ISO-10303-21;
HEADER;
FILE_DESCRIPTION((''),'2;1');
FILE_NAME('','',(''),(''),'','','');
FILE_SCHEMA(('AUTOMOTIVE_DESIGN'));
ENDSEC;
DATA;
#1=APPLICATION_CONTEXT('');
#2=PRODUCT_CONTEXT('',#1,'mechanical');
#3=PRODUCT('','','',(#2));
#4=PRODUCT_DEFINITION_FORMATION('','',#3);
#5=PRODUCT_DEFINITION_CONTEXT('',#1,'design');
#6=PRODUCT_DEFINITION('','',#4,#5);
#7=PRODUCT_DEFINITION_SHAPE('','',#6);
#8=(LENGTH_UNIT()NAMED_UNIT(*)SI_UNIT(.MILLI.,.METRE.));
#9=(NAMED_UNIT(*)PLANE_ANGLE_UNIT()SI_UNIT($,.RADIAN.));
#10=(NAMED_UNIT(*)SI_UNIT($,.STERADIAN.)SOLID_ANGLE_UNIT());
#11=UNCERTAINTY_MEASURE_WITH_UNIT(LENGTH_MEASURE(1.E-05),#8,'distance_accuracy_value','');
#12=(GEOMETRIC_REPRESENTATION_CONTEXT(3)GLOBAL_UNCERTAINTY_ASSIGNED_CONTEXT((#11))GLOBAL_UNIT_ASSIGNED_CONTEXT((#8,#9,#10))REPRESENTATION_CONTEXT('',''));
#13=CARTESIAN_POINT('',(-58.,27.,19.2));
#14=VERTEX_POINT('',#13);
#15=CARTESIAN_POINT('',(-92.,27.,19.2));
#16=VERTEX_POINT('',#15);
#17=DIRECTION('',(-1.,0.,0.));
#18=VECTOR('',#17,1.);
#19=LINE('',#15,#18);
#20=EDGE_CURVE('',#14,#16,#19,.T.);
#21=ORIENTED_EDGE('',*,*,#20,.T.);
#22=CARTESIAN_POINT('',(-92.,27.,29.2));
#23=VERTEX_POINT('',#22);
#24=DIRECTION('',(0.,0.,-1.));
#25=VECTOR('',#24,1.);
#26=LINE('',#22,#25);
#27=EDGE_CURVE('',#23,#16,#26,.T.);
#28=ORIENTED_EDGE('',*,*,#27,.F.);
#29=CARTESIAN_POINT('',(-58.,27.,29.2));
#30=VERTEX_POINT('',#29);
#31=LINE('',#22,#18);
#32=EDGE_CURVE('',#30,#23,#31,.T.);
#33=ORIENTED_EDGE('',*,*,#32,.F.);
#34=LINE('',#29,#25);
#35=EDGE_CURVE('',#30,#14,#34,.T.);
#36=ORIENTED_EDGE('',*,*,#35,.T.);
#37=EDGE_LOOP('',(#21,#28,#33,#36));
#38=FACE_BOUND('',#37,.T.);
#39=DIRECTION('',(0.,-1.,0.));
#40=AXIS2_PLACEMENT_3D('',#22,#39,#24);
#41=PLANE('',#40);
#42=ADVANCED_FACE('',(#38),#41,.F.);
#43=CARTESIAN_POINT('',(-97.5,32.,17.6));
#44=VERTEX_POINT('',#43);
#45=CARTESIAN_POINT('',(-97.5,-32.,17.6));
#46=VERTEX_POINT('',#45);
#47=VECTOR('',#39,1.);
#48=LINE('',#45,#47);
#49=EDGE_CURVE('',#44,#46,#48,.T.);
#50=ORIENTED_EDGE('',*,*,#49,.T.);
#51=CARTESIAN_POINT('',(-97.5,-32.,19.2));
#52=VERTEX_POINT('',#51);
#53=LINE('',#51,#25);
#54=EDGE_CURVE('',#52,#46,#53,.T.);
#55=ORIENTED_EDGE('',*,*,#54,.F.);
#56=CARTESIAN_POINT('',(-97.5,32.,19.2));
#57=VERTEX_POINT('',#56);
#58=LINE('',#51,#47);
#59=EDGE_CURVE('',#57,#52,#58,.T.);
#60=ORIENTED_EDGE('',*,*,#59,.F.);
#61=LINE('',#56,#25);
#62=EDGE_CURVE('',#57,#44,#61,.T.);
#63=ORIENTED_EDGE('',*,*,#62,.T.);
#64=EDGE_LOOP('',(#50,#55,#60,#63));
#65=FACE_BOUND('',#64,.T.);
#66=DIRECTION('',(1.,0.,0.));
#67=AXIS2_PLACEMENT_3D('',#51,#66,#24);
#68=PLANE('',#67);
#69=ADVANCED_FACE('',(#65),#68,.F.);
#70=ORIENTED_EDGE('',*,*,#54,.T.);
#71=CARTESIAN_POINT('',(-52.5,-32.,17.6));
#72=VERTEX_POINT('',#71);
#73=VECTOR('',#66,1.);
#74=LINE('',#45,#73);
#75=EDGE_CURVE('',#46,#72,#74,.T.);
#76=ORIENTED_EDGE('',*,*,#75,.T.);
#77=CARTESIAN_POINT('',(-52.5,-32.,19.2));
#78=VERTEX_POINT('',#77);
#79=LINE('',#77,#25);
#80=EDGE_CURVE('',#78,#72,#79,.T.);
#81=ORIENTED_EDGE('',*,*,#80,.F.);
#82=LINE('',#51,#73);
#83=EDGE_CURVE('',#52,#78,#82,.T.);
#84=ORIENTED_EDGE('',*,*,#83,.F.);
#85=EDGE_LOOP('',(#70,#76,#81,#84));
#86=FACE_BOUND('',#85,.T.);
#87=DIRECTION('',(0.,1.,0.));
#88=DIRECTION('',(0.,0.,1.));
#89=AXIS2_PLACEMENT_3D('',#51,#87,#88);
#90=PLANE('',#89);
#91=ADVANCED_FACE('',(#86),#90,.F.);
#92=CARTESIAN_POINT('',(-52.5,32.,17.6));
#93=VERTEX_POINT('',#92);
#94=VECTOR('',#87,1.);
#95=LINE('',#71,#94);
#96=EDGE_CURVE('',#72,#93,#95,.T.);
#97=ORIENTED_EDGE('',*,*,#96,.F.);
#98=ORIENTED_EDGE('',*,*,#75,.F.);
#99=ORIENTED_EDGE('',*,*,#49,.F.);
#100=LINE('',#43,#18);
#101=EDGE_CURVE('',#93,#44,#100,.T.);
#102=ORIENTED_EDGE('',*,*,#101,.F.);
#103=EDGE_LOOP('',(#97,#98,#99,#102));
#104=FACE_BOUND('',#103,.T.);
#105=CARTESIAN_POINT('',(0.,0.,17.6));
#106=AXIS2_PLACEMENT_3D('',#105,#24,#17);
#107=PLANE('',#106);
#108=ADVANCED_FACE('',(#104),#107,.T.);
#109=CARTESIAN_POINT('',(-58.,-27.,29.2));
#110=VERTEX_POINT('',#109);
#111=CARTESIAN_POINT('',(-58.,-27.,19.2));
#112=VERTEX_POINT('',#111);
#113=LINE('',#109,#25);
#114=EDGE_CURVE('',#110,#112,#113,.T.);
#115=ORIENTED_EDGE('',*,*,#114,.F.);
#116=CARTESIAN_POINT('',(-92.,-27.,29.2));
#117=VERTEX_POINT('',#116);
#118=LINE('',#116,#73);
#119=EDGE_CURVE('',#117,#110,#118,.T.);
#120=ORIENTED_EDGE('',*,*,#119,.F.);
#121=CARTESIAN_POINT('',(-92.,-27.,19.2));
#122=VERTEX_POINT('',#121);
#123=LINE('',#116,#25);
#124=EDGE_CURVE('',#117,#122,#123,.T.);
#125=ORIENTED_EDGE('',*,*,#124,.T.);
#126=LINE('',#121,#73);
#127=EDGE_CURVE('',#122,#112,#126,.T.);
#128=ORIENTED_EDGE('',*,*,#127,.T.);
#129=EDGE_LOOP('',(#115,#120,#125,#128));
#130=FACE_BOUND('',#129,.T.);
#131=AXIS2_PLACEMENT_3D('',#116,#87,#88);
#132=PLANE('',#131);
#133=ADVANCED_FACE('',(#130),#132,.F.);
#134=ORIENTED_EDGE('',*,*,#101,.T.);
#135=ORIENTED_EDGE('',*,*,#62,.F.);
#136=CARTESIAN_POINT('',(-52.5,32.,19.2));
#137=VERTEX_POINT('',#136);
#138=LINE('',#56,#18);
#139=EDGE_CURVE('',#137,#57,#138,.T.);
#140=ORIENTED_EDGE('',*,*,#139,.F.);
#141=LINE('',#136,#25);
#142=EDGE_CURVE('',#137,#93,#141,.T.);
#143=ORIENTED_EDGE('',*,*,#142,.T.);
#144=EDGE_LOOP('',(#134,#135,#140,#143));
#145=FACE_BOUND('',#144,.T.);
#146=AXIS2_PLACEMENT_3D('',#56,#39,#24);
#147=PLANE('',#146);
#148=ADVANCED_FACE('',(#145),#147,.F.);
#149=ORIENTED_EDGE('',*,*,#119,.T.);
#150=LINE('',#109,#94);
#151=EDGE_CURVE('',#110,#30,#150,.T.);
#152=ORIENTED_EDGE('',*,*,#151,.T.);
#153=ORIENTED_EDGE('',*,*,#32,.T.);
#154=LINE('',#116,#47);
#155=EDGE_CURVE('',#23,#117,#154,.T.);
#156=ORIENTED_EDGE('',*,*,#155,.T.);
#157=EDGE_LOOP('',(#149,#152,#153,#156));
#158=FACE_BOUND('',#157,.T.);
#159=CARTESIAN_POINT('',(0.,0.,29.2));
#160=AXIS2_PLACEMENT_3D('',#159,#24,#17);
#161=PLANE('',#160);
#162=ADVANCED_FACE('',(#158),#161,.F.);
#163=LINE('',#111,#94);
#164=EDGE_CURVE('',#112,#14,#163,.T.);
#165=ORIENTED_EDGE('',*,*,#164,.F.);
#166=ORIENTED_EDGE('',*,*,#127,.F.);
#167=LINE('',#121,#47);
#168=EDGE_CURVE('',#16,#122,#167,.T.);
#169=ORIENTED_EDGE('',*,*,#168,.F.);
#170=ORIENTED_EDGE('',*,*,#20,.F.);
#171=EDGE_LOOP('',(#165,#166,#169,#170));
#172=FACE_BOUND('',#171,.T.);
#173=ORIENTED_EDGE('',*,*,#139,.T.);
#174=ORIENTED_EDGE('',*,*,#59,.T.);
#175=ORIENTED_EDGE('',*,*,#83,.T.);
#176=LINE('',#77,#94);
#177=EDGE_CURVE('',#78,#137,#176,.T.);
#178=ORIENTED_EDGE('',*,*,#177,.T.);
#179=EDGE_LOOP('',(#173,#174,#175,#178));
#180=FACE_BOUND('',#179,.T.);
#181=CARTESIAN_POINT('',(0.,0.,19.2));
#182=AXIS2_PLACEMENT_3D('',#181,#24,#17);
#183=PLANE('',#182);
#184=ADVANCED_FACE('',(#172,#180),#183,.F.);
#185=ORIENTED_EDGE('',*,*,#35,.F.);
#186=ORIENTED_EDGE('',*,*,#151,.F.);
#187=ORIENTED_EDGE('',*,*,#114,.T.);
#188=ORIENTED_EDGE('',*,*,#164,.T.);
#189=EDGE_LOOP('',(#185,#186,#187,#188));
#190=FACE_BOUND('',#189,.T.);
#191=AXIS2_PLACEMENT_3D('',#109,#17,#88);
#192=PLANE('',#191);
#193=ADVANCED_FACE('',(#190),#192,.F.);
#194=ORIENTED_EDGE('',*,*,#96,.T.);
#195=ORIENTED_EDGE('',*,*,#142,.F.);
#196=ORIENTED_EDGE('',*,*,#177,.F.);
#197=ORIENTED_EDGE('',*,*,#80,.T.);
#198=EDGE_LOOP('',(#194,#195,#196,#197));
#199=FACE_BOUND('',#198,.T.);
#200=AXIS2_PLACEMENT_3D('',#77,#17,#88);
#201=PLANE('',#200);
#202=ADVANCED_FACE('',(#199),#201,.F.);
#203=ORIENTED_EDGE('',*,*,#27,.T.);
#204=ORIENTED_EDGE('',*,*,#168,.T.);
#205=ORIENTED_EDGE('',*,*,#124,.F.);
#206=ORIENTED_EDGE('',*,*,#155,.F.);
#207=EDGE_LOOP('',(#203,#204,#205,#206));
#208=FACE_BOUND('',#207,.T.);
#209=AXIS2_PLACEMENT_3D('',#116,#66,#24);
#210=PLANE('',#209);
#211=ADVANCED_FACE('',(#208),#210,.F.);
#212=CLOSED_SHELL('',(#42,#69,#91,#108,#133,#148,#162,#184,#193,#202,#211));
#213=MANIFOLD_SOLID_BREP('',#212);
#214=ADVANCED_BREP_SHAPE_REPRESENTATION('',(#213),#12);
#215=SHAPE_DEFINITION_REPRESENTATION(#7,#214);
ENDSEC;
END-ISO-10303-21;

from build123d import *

# Parameters (mm, degrees)
BOSS_EXTRUDE1_START = 18.4
SKETCH1_W           = 45
SKETCH1_H           = 64
BOSS_EXTRUDE1_DEPTH = 0.8
BOSS_EXTRUDE2_START = 24.2
SKETCH2_W           = 34
SKETCH2_H           = 54
BOSS_EXTRUDE2_DEPTH = 5


with BuildPart() as part:
    # Sketch1 → Boss-Extrude1 (new, symmetric)
    with BuildSketch(Plane.XY.offset(BOSS_EXTRUDE1_START)):
        with Locations((-75, 0)):
            Rectangle(SKETCH1_W, SKETCH1_H)
    extrude(amount=BOSS_EXTRUDE1_DEPTH, both=True)

    # Sketch2 → Boss-Extrude2 (add, symmetric)
    with BuildSketch(Plane.XY.offset(BOSS_EXTRUDE2_START)):
        with Locations((-75, 0)):
            Rectangle(SKETCH2_W, SKETCH2_H)
    extrude(amount=BOSS_EXTRUDE2_DEPTH, both=True)


solid = part.part
